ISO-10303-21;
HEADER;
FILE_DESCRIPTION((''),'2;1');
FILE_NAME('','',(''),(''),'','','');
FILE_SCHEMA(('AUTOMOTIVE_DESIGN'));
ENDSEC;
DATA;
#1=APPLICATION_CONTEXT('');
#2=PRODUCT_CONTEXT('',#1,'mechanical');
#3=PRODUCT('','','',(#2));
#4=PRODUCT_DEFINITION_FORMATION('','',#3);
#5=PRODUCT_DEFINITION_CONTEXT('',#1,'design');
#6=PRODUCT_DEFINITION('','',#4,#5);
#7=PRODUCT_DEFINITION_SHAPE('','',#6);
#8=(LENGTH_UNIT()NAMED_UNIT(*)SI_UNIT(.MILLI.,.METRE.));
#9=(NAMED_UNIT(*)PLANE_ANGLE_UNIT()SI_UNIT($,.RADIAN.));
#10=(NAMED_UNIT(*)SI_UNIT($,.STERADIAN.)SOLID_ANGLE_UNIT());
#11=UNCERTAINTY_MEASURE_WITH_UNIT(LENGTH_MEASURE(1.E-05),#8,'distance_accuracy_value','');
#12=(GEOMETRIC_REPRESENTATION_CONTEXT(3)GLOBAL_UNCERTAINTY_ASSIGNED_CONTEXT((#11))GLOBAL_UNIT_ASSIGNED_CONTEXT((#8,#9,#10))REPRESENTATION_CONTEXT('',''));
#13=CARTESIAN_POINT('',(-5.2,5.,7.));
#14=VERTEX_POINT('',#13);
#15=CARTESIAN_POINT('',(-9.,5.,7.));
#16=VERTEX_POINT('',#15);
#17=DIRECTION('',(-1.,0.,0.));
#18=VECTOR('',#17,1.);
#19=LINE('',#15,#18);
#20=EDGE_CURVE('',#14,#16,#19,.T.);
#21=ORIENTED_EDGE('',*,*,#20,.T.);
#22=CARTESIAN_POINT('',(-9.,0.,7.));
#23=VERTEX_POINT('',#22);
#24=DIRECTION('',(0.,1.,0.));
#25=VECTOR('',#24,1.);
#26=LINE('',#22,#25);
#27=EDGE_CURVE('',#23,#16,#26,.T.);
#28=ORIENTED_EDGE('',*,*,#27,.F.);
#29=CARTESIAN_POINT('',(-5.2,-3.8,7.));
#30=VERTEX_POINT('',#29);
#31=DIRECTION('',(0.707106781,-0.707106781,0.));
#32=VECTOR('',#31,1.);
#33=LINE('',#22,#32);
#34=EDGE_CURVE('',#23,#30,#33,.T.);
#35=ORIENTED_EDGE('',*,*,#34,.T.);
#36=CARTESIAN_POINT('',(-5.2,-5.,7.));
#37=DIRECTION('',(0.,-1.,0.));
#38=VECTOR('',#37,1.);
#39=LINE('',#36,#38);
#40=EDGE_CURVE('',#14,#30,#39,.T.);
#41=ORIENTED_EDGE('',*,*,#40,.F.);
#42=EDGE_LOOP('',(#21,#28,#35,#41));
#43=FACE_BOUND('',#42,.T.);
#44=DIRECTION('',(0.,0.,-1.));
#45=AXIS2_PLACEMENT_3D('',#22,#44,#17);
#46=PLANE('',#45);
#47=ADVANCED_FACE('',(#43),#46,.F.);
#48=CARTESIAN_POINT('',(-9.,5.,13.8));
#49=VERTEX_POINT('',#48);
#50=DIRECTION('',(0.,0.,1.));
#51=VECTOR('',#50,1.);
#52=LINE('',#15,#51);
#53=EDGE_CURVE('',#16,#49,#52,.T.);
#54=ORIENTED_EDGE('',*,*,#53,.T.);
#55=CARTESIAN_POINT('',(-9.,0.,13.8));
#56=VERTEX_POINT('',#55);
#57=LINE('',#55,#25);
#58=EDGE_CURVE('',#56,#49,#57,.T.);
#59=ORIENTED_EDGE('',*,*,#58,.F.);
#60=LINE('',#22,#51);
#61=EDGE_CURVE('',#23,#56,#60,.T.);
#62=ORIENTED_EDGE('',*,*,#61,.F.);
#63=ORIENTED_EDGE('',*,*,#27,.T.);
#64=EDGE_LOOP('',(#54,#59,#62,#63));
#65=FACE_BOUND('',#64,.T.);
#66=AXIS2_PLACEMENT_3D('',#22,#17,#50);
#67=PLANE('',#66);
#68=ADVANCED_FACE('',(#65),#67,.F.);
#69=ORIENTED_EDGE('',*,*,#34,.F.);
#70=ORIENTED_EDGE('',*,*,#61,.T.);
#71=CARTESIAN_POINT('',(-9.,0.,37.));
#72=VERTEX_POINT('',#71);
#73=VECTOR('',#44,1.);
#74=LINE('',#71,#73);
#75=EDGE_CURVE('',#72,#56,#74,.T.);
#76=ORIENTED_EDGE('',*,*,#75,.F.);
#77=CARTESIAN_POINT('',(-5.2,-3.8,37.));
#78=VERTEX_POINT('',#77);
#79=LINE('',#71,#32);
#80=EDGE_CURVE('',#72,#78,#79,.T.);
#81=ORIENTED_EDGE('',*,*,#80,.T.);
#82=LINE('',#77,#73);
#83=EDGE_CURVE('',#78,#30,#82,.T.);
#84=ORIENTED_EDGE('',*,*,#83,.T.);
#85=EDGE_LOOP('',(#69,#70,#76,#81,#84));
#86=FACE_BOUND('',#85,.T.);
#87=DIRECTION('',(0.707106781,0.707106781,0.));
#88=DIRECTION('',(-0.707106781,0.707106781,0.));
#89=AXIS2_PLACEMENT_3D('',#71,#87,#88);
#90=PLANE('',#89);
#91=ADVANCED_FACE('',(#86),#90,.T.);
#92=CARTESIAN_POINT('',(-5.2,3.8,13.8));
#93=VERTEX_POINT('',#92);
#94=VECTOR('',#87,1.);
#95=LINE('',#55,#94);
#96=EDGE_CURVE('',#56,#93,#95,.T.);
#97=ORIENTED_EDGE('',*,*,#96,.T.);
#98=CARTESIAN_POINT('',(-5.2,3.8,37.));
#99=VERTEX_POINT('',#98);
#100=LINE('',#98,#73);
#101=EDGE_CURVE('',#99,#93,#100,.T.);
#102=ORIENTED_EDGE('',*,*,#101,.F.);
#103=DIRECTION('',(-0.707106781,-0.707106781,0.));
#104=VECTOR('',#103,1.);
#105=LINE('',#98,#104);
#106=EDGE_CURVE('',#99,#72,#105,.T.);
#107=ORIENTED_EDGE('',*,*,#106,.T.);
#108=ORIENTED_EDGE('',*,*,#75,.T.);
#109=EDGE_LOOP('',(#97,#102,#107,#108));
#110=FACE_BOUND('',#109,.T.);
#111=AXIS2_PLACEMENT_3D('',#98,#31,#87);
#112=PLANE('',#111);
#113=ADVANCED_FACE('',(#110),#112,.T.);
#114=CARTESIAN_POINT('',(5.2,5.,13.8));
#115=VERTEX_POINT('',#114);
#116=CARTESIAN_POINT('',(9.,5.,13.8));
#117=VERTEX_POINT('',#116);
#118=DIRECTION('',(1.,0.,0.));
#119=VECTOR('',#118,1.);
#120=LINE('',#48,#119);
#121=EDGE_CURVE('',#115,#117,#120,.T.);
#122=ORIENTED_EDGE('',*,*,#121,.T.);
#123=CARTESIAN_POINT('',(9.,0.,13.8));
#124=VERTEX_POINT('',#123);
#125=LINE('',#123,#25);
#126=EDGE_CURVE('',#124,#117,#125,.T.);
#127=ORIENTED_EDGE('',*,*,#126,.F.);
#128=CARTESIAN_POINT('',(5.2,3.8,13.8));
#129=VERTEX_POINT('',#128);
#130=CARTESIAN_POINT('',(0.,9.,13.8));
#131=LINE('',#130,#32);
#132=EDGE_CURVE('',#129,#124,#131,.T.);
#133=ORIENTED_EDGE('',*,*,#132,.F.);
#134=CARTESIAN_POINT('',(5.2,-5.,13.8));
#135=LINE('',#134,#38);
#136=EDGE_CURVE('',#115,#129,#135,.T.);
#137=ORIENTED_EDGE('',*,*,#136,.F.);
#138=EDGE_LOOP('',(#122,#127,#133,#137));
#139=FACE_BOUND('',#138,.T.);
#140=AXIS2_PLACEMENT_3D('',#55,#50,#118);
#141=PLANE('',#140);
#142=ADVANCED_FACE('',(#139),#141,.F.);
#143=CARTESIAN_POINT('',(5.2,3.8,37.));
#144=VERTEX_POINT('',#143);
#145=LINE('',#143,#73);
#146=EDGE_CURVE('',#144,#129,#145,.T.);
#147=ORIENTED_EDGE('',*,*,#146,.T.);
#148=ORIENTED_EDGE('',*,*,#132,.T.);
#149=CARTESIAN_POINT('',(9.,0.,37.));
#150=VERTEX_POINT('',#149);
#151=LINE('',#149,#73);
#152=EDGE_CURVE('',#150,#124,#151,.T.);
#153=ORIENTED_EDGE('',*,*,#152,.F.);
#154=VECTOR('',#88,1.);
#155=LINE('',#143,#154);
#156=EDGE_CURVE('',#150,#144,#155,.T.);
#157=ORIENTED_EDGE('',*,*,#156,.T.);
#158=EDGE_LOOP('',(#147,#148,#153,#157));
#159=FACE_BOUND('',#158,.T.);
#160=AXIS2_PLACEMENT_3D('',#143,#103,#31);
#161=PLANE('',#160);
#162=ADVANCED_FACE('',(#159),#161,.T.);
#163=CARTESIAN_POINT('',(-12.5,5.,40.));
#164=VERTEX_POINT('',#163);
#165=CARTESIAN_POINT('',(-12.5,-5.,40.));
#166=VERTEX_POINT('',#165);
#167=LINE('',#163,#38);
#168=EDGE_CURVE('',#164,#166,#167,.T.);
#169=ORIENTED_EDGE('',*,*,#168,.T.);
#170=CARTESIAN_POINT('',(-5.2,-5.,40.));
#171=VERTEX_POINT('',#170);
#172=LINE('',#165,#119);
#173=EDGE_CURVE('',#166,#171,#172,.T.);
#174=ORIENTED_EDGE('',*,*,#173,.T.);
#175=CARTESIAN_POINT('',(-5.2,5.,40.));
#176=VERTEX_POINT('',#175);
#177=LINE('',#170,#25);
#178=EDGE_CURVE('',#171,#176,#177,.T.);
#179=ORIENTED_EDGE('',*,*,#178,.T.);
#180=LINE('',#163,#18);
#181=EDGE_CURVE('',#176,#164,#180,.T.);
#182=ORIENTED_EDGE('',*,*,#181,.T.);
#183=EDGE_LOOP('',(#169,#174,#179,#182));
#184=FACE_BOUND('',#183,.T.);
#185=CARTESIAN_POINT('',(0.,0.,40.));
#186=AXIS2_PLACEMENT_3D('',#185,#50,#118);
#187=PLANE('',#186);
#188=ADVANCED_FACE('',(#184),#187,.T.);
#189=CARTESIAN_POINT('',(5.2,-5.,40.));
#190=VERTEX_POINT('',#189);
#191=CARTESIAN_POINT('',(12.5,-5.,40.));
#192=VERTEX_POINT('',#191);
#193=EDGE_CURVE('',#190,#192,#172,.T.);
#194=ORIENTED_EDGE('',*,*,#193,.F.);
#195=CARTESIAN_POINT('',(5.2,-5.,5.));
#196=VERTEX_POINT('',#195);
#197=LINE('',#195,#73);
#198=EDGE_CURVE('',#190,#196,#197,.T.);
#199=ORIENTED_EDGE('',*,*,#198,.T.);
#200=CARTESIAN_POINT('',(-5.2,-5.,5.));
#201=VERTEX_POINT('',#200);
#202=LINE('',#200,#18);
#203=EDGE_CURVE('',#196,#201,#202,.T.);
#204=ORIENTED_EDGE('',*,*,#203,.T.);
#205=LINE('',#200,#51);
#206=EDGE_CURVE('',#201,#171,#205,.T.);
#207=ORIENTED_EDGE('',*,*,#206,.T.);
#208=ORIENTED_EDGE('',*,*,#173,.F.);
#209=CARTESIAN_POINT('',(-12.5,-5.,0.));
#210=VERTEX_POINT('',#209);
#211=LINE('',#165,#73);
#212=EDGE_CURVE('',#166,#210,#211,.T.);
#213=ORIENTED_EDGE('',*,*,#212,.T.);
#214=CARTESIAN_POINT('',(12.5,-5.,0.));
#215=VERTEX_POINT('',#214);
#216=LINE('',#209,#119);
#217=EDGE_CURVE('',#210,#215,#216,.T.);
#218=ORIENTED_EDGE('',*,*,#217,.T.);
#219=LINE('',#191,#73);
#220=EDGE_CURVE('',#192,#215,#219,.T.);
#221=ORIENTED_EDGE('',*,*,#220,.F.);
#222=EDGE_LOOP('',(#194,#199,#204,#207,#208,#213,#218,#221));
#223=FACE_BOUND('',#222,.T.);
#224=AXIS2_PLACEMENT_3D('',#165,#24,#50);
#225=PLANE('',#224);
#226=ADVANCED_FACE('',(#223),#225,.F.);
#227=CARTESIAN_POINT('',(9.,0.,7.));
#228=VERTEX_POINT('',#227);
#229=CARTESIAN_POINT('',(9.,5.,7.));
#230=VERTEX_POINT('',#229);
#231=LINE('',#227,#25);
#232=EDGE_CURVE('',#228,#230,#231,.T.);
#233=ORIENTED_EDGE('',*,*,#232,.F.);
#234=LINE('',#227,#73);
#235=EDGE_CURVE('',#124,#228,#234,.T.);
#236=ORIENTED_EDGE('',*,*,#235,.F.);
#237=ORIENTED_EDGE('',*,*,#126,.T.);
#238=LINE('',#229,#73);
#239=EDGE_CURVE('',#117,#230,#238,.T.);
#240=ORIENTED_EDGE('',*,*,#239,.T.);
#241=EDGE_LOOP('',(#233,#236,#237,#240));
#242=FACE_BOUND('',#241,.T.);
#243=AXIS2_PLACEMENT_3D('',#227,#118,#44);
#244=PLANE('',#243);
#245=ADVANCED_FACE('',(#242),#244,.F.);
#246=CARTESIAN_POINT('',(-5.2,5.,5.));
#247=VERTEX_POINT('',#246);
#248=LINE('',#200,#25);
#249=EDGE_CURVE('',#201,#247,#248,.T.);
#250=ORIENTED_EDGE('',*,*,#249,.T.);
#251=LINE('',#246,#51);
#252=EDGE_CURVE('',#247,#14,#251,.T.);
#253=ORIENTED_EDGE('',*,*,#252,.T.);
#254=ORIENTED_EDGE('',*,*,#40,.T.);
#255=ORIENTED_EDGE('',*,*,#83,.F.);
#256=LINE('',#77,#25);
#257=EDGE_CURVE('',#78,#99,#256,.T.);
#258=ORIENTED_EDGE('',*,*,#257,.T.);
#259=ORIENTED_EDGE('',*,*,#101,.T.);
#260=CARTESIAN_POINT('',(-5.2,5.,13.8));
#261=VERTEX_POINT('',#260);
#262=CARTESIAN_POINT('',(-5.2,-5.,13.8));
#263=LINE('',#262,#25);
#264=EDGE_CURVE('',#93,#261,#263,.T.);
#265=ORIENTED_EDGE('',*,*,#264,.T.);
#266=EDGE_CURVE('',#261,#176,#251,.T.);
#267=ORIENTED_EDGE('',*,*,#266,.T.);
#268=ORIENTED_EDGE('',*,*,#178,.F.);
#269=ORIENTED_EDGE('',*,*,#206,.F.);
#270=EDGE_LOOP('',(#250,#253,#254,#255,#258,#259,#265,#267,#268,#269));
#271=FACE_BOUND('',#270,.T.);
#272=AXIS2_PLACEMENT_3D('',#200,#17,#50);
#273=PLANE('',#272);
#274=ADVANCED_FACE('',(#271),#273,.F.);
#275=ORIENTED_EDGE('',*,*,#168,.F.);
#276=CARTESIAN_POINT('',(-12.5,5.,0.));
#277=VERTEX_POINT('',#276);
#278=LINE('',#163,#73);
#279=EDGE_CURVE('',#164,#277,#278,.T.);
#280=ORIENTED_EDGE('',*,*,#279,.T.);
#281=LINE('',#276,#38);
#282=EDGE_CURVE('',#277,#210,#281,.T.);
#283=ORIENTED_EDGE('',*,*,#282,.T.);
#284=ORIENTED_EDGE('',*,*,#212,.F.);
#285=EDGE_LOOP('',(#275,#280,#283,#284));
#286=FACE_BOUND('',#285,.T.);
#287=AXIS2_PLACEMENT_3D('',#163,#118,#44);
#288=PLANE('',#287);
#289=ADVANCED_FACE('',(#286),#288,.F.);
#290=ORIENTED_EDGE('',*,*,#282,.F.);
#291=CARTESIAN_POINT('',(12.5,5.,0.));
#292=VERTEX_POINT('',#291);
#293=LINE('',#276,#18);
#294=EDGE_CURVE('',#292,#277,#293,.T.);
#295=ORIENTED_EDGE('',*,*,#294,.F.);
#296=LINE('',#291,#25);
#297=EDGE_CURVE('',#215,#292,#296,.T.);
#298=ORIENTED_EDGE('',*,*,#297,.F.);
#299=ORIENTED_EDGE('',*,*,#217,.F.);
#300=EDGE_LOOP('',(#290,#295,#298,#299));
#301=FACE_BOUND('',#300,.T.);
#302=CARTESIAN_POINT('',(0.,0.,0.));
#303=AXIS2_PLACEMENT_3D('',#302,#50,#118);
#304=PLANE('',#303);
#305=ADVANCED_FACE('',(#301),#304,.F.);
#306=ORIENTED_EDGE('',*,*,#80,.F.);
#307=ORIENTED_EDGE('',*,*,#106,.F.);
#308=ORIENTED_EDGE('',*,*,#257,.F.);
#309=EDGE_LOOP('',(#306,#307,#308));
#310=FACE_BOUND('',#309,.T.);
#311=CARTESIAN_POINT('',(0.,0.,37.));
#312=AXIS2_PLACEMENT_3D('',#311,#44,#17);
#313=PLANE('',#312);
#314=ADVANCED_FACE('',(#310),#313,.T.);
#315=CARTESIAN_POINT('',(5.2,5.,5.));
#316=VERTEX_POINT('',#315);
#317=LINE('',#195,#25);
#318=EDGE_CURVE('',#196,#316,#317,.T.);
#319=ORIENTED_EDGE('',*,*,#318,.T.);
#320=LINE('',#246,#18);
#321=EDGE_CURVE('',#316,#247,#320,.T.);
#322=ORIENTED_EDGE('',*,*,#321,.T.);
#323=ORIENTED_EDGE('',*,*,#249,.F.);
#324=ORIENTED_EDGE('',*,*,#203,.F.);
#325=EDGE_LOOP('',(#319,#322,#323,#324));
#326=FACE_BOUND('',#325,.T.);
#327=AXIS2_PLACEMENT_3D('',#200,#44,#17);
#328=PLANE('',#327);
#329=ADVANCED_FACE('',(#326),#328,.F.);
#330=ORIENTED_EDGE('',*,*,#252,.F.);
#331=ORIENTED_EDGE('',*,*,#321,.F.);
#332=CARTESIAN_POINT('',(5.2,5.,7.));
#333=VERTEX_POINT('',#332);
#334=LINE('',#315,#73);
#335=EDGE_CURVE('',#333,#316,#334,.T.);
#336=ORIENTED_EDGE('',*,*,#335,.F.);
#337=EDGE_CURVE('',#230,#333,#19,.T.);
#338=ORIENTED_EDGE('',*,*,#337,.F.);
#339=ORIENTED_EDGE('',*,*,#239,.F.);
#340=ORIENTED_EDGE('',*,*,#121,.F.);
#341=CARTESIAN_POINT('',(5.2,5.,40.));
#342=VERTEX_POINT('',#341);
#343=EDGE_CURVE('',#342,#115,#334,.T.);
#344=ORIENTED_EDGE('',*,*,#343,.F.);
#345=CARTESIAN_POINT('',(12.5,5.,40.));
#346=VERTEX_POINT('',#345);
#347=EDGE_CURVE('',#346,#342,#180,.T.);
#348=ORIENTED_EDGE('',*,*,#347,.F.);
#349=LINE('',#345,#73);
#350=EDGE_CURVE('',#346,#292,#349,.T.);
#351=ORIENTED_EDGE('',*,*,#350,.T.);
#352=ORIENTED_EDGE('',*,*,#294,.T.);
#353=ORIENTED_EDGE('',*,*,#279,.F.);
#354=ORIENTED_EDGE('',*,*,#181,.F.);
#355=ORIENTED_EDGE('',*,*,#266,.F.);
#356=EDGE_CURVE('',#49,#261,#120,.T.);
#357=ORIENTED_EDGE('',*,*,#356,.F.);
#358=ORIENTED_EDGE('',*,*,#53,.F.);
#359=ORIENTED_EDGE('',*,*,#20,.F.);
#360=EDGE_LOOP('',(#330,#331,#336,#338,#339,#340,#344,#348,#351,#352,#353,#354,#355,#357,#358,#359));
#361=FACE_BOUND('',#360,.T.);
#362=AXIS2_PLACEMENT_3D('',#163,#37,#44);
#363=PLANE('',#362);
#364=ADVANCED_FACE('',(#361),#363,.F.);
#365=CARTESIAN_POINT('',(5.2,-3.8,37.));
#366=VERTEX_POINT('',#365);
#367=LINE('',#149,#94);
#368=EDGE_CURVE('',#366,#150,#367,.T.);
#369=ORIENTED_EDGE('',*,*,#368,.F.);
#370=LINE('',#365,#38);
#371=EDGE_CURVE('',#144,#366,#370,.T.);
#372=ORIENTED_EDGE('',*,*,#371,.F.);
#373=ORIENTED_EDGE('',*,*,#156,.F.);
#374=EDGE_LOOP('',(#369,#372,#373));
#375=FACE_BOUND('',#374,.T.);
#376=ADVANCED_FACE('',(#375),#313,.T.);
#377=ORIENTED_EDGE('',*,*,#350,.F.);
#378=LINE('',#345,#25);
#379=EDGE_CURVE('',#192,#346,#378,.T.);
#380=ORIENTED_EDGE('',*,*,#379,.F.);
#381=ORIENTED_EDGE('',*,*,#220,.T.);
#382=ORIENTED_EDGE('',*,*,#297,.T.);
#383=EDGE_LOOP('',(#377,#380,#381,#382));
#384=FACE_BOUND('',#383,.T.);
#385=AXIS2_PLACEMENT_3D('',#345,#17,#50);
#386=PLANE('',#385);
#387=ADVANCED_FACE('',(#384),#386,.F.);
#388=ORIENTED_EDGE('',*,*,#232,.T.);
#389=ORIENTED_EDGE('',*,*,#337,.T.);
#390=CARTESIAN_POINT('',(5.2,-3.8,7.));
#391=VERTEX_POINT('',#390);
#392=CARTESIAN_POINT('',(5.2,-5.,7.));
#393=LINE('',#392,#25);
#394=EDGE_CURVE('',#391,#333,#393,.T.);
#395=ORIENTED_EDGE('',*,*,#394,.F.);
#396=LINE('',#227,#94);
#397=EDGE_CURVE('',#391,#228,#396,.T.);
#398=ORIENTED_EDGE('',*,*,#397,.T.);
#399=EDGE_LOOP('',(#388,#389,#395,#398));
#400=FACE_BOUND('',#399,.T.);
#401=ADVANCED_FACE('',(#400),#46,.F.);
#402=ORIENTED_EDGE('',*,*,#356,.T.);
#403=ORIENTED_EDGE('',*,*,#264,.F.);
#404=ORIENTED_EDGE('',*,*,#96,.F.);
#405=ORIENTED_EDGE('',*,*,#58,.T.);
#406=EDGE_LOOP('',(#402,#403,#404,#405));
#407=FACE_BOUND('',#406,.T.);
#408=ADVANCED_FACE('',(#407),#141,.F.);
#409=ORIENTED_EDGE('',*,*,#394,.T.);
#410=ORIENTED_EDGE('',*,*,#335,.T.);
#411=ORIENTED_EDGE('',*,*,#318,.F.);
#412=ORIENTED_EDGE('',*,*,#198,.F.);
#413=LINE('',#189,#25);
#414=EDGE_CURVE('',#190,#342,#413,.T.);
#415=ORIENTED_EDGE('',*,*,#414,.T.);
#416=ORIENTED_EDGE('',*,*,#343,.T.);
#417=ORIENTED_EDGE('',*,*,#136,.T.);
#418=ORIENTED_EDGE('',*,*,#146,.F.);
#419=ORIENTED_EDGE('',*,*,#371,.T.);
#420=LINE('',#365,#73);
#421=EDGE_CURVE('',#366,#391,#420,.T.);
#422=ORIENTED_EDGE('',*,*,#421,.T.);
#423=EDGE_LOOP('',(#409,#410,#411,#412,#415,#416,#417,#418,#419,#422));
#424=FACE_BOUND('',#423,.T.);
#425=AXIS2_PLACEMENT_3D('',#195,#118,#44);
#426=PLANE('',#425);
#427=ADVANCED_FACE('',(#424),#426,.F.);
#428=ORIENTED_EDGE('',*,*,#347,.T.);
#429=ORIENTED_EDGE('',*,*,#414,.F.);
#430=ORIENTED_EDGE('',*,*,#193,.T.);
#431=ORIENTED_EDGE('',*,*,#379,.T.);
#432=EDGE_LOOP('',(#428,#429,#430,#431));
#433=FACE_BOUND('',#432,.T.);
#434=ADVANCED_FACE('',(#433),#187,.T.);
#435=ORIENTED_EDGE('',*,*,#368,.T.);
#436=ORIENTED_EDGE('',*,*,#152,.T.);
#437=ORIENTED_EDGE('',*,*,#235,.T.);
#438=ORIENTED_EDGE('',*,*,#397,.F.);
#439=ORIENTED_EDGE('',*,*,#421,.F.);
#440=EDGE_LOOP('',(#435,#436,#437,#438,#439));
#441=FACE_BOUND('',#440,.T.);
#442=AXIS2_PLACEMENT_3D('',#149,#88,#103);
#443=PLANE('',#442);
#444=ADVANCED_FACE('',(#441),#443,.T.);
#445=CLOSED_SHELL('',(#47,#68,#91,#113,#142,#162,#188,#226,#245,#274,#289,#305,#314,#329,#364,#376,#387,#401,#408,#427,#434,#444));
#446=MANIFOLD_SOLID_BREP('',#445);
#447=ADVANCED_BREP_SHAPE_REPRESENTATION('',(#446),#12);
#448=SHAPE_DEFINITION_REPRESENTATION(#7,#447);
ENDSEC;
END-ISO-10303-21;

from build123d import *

# Parameters (mm, degrees)
SKETCH2_W           = 25
SKETCH2_H           = 10
BOSS_EXTRUDE1_DEPTH = 40
SKETCH3_W           = 10.4
SKETCH3_H           = 35
CUT_EXTRUDE1_DEPTH  = 44.084219849
SKETCH4_W           = 18
SKETCH4_H           = 6.8
CUT_EXTRUDE2_DEPTH  = 5
CUT_EXTRUDE3_DEPTH  = 30


with BuildPart() as part:
    # Sketch2 → Boss-Extrude1 (new body)
    with BuildSketch(Plane.XY):
        Rectangle(SKETCH2_W, SKETCH2_H)
    extrude(amount=BOSS_EXTRUDE1_DEPTH)

    # Sketch3 → Cut-Extrude1 (cut, through all)
    with BuildSketch(Plane(origin=(0, 5, 0), x_dir=(1, 0, 0), z_dir=(0, 1, 0))):
        with Locations((0, -22.5)):
            Rectangle(SKETCH3_W, SKETCH3_H)
    extrude(amount=-CUT_EXTRUDE1_DEPTH, mode=Mode.SUBTRACT)

    # Sketch4 → Cut-Extrude2 (cut)
    with BuildSketch(Plane(origin=(0, 5, 0), x_dir=(1, 0, 0), z_dir=(0, 1, 0))):
        with Locations((0, -10.4)):
            Rectangle(SKETCH4_W, SKETCH4_H)
    extrude(amount=-CUT_EXTRUDE2_DEPTH, mode=Mode.SUBTRACT)

    # Sketch5 → Cut-Extrude3 (cut)
    with BuildSketch(Plane.XY.offset(7)):
        Polygon((5.2, 3.8), (9, 0), (5.2, -3.8), align=None)
        Polygon((-5.2, -3.8), (-5.2, 3.8), (-9, 0), align=None)
    extrude(amount=CUT_EXTRUDE3_DEPTH, mode=Mode.SUBTRACT)


solid = part.part
